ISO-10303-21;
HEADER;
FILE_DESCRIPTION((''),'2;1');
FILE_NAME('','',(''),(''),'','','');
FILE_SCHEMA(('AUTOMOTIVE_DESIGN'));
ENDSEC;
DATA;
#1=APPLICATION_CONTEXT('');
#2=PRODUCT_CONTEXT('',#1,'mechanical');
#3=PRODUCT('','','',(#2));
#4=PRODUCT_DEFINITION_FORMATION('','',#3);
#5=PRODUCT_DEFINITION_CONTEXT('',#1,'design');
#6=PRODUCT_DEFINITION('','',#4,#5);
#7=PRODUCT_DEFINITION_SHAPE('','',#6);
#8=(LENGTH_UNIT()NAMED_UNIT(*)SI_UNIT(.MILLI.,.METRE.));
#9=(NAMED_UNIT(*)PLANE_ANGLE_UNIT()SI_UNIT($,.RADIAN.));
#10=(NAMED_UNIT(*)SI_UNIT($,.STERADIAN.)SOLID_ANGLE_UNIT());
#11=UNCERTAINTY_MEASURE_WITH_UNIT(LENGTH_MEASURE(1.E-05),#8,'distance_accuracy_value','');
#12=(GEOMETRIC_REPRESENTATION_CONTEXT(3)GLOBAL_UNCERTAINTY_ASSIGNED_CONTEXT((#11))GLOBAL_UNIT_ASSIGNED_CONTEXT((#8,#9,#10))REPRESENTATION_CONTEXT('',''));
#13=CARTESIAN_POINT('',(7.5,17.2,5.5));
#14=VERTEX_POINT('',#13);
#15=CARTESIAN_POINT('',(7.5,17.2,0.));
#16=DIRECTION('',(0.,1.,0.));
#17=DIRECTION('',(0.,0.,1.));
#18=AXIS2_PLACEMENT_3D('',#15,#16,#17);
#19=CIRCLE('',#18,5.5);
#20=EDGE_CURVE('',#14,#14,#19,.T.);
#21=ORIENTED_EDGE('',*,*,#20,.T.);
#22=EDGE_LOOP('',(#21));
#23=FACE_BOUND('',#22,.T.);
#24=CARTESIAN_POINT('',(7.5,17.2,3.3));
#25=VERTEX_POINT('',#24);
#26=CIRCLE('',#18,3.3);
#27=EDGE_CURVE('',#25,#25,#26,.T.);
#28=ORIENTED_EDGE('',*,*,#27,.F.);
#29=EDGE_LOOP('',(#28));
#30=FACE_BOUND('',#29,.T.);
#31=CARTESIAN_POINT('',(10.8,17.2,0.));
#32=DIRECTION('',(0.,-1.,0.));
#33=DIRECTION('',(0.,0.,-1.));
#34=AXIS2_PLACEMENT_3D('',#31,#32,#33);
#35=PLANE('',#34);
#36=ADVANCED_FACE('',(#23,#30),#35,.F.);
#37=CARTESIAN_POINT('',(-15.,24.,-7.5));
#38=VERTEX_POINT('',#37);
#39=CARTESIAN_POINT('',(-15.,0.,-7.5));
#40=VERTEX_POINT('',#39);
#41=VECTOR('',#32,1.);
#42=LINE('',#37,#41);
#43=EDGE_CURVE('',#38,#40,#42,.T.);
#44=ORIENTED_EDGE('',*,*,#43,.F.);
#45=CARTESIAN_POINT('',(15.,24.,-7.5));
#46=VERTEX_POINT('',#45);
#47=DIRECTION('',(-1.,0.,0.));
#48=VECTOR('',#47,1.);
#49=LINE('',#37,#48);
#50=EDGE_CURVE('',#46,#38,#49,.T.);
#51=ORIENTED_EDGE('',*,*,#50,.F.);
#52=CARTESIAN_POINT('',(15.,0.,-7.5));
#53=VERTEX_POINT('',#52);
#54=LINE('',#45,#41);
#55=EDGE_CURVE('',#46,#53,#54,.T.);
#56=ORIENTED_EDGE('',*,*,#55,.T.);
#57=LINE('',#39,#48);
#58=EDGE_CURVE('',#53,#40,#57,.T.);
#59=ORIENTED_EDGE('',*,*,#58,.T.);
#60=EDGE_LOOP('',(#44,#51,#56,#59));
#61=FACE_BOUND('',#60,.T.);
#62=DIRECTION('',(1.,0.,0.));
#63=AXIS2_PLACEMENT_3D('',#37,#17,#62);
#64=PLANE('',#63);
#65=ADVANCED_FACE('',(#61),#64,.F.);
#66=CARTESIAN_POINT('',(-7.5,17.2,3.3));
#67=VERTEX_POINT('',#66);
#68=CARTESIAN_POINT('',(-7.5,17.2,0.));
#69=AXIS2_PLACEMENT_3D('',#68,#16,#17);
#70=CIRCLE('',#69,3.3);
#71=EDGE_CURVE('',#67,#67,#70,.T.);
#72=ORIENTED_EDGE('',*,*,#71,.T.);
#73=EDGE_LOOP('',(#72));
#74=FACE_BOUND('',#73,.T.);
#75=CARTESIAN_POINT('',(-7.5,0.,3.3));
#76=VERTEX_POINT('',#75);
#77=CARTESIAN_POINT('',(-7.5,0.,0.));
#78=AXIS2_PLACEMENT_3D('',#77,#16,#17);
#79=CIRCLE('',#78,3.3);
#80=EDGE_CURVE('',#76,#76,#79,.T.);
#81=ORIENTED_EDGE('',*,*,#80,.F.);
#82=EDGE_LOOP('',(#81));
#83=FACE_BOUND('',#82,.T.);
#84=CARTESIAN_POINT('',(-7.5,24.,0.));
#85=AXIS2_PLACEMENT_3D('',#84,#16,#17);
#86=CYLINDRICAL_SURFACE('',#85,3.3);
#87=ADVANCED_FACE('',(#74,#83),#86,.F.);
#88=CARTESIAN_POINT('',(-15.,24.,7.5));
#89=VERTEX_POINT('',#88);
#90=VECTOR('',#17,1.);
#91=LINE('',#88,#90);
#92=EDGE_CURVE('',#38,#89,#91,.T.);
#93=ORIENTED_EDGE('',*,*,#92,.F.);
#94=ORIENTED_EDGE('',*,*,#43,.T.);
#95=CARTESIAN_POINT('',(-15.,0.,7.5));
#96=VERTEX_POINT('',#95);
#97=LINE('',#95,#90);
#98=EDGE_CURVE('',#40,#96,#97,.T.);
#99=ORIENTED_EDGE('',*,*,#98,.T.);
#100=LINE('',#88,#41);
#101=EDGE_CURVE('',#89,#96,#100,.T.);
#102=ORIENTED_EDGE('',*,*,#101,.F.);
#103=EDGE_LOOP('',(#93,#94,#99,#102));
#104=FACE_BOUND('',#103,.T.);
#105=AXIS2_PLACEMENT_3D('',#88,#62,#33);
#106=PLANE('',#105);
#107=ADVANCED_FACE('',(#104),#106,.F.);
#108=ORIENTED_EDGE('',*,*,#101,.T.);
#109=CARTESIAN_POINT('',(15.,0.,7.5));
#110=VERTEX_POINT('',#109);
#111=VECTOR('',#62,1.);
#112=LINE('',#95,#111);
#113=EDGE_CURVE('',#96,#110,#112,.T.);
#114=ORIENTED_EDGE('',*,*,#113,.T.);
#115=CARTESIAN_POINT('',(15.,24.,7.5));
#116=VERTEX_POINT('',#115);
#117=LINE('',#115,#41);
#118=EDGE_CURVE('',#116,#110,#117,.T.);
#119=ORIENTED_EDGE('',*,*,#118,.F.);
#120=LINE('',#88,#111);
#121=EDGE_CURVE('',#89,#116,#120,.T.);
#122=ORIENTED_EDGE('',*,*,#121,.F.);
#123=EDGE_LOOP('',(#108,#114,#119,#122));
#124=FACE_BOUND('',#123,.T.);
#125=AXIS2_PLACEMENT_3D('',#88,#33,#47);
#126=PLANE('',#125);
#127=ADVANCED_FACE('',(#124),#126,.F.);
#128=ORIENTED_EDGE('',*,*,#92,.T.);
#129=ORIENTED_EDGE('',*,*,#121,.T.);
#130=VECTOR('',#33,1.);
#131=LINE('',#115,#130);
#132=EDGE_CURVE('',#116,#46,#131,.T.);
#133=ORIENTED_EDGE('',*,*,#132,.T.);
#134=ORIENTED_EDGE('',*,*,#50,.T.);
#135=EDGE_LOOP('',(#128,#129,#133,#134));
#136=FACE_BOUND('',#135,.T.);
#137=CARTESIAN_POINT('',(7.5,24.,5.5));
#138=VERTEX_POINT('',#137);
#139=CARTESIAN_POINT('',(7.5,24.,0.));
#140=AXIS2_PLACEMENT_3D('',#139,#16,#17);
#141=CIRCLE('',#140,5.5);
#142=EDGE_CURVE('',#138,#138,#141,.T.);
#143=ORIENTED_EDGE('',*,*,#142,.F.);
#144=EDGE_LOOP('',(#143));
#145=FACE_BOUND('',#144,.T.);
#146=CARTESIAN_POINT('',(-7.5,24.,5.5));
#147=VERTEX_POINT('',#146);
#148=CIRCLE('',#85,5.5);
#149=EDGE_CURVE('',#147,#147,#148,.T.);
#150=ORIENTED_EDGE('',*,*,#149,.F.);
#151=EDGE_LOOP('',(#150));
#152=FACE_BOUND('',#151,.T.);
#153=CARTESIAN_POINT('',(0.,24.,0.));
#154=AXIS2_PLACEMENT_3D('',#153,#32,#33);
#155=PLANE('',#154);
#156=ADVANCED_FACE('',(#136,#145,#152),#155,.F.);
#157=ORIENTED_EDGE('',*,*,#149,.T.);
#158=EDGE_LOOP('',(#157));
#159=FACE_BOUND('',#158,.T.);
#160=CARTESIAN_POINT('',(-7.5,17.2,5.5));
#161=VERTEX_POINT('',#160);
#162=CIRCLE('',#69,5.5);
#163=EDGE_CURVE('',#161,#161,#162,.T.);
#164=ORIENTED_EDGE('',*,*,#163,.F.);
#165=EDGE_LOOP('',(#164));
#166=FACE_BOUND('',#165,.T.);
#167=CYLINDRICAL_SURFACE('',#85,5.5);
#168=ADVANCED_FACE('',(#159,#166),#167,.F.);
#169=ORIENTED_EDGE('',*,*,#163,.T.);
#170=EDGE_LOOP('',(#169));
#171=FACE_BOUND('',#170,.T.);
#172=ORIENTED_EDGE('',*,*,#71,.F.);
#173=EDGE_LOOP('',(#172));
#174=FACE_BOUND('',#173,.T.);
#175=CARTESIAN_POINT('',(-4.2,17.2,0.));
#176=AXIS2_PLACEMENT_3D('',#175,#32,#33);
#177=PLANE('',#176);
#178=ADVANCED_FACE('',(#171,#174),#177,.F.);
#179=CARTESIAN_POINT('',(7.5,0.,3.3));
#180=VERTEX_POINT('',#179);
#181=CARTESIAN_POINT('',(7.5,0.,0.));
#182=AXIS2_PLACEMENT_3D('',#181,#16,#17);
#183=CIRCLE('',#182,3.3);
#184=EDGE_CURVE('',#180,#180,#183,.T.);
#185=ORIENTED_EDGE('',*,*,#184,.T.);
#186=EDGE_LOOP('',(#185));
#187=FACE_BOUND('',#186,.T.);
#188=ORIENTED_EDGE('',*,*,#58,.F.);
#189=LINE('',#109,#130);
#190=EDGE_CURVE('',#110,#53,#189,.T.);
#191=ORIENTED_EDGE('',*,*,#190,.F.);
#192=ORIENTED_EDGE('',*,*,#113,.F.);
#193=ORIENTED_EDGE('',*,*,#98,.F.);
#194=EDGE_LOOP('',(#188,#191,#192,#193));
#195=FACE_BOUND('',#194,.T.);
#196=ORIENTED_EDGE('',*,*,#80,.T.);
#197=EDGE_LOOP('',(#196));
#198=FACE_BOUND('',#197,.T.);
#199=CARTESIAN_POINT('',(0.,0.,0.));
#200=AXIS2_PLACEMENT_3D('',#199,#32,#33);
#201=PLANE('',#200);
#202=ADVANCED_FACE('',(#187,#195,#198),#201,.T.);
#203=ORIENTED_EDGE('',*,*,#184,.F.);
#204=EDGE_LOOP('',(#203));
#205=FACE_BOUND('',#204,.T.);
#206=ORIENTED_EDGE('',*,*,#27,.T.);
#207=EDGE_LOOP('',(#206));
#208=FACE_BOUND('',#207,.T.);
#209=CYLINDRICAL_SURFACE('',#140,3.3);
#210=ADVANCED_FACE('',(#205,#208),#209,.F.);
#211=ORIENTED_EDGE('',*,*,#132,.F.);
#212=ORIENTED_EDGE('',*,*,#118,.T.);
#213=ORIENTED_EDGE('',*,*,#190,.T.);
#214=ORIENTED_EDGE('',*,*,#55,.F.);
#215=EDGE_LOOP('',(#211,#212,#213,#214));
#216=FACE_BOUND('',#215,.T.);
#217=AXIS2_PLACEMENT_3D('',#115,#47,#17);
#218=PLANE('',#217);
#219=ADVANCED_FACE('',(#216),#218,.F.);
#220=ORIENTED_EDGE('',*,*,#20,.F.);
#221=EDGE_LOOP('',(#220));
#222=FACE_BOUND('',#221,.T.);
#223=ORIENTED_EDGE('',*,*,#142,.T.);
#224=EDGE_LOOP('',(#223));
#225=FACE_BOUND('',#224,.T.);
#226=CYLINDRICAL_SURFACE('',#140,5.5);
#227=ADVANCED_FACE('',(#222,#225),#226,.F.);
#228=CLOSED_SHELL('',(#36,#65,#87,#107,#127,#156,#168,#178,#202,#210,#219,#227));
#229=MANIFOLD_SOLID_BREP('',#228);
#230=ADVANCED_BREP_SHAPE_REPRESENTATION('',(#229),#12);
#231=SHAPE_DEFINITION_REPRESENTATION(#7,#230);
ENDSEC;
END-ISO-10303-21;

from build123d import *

# Parameters (mm, degrees)
SKETCH_1_W                = 30
SKETCH_1_H                = 15
EXTRUDE_1_DEPTH           = 24
HOLE_WIZARD_1_D           = 6.6
HOLE_WIZARD_1_CBORE_D     = 11
HOLE_WIZARD_1_CBORE_DEPTH = 6.8


with BuildPart() as part:
    # 草图1 → 凸台-拉伸1 (new body)
    with BuildSketch(Plane(origin=(0, 0, 0), x_dir=(1, 0, 0), z_dir=(0, 1, 0))):
        Rectangle(SKETCH_1_W, SKETCH_1_H)
    extrude(amount=EXTRUDE_1_DEPTH)

    # 打孔尺寸根据内六角圆柱头螺钉的类型1 (through all)
    with Locations(Plane(origin=(0, 24, 0), x_dir=(1, 0, 0), z_dir=(0, 1, 0))):
        with Locations((-7.5, 0), (7.5, 0)):
            CounterBoreHole(HOLE_WIZARD_1_D / 2, HOLE_WIZARD_1_CBORE_D / 2, HOLE_WIZARD_1_CBORE_DEPTH)


solid = part.part
